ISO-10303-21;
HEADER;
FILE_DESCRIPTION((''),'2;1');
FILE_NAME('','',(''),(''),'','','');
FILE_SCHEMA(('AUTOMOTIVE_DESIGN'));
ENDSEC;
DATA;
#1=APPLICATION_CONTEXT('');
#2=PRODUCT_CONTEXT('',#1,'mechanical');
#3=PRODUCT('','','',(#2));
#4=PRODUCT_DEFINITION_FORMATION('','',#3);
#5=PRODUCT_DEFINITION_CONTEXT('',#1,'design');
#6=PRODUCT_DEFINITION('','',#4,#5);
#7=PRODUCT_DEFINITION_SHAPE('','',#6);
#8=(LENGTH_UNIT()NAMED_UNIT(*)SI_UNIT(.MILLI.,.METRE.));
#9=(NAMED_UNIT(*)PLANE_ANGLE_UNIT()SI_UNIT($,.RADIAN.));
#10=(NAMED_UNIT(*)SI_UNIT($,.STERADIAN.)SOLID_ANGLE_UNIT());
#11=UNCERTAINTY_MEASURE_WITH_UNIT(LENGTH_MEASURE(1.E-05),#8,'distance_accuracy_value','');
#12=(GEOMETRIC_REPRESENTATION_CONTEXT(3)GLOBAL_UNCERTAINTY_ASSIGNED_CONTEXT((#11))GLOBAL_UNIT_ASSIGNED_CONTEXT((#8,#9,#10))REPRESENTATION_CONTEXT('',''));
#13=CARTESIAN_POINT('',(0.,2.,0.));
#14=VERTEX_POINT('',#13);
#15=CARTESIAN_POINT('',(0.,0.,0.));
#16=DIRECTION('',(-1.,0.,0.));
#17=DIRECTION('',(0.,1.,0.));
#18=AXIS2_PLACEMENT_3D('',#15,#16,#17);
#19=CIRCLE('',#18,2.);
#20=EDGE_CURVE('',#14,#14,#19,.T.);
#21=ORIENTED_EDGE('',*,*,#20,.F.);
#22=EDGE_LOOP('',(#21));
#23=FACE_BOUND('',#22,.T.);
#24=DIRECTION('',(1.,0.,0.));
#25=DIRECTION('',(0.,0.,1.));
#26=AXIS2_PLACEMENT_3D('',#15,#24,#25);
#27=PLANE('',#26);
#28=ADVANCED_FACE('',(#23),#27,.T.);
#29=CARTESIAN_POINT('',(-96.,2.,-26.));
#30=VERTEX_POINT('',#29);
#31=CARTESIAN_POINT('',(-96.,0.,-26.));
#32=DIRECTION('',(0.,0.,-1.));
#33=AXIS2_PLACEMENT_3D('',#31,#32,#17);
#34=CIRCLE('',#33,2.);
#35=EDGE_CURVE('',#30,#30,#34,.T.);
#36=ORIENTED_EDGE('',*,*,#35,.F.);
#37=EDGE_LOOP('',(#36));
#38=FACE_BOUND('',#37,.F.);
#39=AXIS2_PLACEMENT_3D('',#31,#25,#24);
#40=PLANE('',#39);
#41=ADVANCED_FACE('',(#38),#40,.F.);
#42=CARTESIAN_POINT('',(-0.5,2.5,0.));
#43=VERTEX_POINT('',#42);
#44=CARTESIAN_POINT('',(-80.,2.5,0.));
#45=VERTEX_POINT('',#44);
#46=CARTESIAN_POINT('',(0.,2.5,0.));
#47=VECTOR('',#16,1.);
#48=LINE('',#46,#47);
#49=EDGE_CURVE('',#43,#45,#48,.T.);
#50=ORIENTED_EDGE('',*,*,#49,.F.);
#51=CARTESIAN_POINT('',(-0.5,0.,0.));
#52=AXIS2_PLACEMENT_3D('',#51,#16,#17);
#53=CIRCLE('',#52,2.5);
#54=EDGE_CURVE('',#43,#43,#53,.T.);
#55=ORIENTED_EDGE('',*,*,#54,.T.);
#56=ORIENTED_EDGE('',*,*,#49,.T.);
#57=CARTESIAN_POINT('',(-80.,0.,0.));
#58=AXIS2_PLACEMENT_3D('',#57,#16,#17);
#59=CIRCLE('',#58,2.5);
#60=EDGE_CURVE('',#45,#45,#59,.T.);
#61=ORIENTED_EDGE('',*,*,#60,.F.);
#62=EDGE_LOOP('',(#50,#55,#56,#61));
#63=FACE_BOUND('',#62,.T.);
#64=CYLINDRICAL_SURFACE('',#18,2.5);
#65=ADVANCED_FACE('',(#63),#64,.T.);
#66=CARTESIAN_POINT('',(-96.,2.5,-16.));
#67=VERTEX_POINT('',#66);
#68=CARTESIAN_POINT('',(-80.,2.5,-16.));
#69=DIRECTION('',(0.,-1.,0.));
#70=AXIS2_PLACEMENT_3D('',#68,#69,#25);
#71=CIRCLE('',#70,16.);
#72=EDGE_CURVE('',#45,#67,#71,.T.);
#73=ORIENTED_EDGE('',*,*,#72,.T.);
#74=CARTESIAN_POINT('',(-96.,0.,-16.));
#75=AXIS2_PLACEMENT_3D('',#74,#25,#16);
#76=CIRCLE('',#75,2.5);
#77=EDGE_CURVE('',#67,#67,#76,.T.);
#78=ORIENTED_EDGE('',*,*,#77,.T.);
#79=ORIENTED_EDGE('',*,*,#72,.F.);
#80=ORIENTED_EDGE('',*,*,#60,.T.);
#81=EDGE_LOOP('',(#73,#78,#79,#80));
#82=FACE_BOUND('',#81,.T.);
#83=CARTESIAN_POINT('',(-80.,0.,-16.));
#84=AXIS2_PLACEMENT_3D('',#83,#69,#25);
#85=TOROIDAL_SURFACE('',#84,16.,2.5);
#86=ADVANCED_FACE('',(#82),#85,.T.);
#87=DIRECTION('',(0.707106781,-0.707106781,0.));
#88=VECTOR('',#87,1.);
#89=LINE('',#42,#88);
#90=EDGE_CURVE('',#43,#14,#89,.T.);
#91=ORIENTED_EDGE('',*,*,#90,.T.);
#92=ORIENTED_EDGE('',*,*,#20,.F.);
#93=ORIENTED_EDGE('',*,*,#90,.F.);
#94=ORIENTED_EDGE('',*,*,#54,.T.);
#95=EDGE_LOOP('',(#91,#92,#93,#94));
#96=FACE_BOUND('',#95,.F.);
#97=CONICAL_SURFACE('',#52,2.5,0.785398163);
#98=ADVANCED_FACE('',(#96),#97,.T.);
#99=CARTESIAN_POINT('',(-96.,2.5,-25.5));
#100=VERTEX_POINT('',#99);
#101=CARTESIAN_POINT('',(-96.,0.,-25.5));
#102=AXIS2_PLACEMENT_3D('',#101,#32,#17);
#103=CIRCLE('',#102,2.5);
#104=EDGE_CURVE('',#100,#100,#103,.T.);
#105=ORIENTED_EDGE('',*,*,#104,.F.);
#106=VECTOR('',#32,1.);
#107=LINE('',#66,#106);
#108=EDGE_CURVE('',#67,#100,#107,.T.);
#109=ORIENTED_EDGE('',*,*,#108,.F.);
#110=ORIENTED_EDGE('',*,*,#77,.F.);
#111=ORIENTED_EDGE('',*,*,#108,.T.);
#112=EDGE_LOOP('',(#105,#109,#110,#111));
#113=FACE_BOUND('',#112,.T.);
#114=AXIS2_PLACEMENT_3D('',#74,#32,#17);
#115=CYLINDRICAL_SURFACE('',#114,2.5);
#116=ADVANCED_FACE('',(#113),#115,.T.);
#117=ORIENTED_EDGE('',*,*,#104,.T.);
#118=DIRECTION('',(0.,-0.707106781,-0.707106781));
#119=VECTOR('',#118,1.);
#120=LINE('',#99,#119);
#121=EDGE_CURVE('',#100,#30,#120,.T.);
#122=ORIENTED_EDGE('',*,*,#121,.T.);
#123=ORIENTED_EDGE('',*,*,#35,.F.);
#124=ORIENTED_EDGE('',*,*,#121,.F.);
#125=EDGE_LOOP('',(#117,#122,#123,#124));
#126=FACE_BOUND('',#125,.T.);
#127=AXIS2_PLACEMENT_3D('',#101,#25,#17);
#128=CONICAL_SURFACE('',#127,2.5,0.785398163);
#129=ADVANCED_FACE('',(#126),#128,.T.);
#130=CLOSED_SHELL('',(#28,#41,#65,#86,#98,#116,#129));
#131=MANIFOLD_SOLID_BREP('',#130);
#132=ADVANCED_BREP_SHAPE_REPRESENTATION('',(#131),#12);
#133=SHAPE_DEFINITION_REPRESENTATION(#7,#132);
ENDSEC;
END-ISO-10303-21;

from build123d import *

# Parameters (mm, degrees)
F1_R    = 2.5
F3_SIZE = 0.5


with BuildPart() as f2:
    # F2: sweep along a path in F0
    with BuildLine(Plane.XZ) as f2_path:
        Line((0, 0), (-80, 0))
        ThreePointArc((-80, 0), (-91.313708499, -4.686291501), (-96, -16))
        Line((-96, -16), (-96, -26))
    # F1 (on Right) → F2 (sweep)
    with BuildSketch(Plane.YZ):
        Circle(F1_R)
    sweep(path=f2_path.line)

    # F3
    f3_edges = [f2.edges().sort_by_distance(p)[0] for p in [
        (-96, -2.5, -26),
        (0, -2.5, 0),
    ]]
    chamfer(f3_edges, length=F3_SIZE)


solid = f2.part
